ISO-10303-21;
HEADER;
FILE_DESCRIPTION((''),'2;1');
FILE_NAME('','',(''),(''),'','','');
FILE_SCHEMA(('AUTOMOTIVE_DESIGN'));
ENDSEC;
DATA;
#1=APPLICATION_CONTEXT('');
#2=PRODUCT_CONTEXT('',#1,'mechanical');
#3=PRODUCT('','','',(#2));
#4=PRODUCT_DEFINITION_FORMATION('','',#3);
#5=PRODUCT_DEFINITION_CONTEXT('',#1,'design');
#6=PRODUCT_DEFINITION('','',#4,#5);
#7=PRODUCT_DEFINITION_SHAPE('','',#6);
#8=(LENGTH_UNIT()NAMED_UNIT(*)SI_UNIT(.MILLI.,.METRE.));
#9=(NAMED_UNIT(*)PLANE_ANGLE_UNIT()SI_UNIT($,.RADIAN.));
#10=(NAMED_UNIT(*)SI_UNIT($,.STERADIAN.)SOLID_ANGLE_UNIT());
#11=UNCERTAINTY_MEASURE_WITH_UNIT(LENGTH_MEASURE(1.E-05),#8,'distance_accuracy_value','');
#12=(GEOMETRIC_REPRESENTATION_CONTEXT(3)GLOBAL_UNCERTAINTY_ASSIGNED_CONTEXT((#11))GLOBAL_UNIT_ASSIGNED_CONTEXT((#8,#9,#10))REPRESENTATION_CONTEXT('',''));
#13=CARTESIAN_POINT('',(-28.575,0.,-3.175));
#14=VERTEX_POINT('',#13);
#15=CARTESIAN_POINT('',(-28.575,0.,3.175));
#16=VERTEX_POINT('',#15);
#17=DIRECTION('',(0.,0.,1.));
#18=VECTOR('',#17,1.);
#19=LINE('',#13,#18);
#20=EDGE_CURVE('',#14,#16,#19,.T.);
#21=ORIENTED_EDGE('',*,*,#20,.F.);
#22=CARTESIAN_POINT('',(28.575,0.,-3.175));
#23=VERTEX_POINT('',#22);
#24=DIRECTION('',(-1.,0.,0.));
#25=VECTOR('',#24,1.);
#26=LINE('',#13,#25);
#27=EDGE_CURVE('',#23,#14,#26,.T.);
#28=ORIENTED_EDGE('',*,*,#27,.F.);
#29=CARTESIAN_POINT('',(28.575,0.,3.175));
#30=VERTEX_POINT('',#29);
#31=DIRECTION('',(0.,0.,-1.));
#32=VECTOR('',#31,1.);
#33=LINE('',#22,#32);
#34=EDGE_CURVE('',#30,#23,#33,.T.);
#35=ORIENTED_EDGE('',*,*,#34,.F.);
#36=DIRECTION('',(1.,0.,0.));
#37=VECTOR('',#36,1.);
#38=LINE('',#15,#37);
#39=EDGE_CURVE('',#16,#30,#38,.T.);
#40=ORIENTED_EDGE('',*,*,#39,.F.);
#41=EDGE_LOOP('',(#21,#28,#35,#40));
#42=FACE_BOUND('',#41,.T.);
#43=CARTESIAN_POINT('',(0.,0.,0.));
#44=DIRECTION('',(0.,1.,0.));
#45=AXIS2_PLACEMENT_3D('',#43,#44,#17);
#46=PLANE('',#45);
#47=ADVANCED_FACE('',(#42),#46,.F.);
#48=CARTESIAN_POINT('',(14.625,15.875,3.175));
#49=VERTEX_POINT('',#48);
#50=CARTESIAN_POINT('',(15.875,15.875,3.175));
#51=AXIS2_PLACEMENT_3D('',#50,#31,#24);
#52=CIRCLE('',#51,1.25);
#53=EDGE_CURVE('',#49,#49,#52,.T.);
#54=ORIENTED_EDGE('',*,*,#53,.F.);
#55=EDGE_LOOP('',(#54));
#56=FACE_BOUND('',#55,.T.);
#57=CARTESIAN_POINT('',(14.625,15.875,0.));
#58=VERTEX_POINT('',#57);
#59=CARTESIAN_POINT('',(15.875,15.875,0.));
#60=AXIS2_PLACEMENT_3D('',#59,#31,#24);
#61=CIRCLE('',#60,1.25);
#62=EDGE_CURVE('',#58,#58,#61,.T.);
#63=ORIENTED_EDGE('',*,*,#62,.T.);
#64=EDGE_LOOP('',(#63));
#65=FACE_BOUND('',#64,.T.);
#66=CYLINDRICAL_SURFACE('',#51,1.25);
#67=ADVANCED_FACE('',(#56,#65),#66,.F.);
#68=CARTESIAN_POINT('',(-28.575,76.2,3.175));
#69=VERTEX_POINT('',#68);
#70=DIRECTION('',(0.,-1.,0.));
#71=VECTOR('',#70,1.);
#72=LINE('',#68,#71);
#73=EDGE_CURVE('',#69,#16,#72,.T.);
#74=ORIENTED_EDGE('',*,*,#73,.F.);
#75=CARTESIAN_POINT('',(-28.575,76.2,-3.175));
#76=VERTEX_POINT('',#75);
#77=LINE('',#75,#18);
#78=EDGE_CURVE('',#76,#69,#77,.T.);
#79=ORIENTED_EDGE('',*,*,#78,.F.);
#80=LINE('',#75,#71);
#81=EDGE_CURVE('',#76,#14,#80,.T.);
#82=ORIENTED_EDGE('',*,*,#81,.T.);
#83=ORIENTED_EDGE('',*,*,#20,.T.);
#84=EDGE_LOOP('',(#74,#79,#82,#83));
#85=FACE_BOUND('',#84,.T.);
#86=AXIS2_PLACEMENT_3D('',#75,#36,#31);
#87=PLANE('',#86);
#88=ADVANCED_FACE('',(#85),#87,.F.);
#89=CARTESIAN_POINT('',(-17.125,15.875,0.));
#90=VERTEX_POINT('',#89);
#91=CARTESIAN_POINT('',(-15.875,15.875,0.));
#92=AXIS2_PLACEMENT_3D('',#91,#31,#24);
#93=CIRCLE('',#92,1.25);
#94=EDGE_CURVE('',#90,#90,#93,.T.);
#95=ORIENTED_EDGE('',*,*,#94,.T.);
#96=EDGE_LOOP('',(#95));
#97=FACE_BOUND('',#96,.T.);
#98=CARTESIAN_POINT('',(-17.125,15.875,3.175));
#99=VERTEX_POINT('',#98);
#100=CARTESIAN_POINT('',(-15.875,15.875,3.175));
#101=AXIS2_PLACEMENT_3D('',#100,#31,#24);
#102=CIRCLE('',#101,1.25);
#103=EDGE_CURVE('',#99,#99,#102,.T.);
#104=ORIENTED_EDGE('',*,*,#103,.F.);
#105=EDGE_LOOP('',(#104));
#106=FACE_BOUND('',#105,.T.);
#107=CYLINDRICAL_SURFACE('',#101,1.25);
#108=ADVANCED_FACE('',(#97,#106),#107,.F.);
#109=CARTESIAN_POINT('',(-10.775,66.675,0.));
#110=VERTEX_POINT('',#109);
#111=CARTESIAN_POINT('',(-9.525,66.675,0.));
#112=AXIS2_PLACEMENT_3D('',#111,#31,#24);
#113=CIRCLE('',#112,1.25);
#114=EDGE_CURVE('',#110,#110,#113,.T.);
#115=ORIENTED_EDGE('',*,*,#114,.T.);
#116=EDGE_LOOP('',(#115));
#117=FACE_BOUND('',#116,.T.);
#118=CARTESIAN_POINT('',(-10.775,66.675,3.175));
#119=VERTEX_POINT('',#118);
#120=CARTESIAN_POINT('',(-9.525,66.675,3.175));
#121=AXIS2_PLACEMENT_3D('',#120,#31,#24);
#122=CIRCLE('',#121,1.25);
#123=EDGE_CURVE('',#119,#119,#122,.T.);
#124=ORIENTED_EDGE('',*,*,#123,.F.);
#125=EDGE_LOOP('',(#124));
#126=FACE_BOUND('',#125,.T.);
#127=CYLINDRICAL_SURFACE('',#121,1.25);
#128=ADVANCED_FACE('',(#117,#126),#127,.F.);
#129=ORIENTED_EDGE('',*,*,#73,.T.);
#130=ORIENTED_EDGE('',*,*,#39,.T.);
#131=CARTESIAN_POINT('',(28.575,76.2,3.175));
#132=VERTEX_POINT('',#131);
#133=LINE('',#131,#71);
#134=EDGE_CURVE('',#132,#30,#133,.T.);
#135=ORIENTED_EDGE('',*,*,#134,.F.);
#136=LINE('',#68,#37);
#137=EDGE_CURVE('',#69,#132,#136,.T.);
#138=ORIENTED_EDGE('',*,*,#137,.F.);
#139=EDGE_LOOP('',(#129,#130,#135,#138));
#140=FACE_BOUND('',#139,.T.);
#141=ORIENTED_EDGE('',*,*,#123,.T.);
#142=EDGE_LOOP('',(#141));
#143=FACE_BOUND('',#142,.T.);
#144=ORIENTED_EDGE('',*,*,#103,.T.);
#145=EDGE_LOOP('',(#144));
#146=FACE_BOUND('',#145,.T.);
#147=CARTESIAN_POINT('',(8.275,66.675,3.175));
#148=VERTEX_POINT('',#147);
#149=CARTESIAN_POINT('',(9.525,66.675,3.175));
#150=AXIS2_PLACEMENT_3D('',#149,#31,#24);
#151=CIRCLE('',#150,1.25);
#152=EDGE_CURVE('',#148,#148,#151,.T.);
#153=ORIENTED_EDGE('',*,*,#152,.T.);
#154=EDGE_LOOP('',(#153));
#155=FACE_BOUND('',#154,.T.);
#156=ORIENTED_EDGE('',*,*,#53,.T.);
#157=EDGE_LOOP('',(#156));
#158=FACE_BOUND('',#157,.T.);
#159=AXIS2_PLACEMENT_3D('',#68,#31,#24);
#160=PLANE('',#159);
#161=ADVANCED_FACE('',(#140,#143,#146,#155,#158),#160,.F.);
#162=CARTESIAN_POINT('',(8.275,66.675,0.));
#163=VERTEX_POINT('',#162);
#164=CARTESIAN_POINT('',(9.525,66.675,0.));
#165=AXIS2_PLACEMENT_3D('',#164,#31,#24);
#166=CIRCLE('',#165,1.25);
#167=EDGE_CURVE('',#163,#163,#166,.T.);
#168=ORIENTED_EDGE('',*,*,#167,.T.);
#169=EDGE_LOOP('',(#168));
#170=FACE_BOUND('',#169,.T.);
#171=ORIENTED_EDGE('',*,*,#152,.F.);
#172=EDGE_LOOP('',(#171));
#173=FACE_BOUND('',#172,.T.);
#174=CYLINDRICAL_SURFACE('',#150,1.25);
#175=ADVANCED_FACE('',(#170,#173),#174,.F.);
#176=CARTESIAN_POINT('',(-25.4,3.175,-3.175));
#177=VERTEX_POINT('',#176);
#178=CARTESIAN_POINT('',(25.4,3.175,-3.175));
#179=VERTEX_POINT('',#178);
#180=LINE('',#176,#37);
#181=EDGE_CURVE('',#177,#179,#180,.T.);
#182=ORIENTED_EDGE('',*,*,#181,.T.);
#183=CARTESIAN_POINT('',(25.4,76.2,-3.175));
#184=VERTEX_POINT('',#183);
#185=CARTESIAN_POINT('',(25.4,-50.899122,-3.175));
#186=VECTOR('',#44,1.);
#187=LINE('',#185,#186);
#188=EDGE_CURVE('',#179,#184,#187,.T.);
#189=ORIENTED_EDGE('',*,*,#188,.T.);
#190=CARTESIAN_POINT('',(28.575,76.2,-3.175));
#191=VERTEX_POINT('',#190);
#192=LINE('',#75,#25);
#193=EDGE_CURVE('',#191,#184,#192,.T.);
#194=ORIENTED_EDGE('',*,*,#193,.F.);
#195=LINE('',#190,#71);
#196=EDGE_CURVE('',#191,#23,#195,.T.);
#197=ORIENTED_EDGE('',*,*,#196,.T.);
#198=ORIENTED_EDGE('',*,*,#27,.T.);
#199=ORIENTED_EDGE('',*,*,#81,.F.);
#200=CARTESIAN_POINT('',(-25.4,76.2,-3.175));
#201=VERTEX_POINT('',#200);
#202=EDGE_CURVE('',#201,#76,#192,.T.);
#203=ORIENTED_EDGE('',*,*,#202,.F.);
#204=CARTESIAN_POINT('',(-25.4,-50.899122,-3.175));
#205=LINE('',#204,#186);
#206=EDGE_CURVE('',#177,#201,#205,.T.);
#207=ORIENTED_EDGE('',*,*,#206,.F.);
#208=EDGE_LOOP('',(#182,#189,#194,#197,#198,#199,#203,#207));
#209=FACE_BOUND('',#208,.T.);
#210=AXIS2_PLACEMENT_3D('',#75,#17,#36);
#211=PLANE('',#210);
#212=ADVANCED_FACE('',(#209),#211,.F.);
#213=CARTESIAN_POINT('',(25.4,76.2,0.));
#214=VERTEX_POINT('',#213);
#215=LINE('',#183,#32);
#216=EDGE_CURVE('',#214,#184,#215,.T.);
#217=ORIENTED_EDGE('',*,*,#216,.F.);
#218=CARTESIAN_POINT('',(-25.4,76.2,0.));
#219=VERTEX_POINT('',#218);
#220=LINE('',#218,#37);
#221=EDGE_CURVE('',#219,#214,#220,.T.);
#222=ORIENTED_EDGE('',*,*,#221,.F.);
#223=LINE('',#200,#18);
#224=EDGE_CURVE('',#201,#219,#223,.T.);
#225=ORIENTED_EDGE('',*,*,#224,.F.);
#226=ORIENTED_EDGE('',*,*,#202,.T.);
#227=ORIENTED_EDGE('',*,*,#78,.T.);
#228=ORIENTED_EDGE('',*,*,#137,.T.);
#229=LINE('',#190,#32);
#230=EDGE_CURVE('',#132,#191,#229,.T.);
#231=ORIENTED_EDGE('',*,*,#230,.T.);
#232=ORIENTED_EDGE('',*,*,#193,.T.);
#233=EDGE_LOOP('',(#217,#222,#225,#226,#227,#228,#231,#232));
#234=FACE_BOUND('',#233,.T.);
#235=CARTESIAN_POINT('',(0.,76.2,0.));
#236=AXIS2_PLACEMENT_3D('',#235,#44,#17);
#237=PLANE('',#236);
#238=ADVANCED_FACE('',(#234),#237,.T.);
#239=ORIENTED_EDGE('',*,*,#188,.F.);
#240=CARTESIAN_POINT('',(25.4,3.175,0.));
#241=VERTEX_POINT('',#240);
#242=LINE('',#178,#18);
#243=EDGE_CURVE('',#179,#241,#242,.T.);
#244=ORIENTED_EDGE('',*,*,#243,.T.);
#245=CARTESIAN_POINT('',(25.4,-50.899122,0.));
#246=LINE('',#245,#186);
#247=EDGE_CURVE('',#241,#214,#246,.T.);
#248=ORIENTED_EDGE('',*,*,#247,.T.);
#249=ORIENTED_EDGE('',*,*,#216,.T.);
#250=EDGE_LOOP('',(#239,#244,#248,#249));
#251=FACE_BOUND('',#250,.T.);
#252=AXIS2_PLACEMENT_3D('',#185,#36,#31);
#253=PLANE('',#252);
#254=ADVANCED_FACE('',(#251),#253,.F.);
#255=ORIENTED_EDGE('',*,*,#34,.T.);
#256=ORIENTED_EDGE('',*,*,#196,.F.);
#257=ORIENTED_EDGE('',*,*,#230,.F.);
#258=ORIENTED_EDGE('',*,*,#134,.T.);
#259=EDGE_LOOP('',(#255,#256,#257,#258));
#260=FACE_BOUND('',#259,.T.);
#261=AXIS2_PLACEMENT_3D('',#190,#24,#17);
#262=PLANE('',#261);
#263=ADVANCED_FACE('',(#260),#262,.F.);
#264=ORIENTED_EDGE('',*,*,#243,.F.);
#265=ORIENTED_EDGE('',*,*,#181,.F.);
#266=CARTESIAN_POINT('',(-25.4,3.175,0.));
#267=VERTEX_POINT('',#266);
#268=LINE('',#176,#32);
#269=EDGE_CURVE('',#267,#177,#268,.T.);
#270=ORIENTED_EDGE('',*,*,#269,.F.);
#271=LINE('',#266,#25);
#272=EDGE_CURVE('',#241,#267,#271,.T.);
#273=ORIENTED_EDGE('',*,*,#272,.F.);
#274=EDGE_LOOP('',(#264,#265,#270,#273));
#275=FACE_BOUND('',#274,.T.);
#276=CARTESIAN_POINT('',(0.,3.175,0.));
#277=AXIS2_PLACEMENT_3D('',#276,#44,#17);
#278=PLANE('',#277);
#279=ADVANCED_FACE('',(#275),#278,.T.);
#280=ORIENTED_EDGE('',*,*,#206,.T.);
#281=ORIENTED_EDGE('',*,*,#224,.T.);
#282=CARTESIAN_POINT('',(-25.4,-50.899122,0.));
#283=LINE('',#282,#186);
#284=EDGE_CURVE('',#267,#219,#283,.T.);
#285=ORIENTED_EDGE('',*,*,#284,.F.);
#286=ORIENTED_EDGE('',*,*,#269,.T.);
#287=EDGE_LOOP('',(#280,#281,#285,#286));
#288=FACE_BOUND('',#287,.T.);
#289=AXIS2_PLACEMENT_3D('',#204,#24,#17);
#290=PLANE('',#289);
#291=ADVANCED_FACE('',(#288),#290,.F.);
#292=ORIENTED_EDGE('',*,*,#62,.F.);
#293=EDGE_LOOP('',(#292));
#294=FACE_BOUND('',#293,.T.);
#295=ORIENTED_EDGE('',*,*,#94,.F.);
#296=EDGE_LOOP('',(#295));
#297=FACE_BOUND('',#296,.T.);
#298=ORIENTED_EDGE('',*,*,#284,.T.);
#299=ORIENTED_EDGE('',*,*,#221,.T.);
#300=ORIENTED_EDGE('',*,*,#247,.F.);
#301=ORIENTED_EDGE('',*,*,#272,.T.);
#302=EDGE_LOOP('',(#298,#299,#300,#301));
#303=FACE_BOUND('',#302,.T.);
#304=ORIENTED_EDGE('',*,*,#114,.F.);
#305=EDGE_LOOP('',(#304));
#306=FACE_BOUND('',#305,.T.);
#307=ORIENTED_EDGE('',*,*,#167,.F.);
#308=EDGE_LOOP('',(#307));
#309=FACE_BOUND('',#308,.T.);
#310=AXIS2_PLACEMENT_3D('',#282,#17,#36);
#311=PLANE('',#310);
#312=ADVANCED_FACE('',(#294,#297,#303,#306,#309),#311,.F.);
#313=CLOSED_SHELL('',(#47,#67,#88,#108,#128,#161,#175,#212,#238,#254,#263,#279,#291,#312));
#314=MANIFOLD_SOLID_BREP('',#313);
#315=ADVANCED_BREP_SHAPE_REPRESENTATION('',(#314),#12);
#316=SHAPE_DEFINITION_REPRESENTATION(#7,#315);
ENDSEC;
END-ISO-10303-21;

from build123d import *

# Parameters (mm, degrees)
SKETCH1_W           = 57.15
SKETCH1_H           = 6.35
BOSS_EXTRUDE1_DEPTH = 76.2
SKETCH2_W           = 50.8
SKETCH2_H           = 3.175
CUT_EXTRUDE1_DEPTH  = 73.025
SKETCH4_R           = 1.25
CUT_EXTRUDE2_DEPTH  = 4.175


with BuildPart() as part:
    # Sketch1 → Boss-Extrude1 (new body)
    with BuildSketch(Plane(origin=(0, 0, 0), x_dir=(1, 0, 0), z_dir=(0, 1, 0))):
        Rectangle(SKETCH1_W, SKETCH1_H)
    extrude(amount=BOSS_EXTRUDE1_DEPTH)

    # Sketch2 → Cut-Extrude1 (cut)
    with BuildSketch(Plane(origin=(0, 76.2, 0), x_dir=(1, 0, 0), z_dir=(0, 1, 0))):
        with Locations((0, 1.5875)):
            Rectangle(SKETCH2_W, SKETCH2_H)
    extrude(amount=-CUT_EXTRUDE1_DEPTH, mode=Mode.SUBTRACT)

    # Sketch4 → Cut-Extrude2 (cut, through all)
    with BuildSketch(Plane(origin=(0, 0, 0), x_dir=(-1, 0, 0), z_dir=(0, 0, -1))):
        with Locations((-9.525, 66.675)):
            Circle(SKETCH4_R)
        with Locations((9.525, 66.675)):
            Circle(SKETCH4_R)
        with Locations((-15.875, 15.875)):
            Circle(SKETCH4_R)
        with Locations((15.875, 15.875)):
            Circle(SKETCH4_R)
    extrude(amount=-CUT_EXTRUDE2_DEPTH, mode=Mode.SUBTRACT)


solid = part.part
